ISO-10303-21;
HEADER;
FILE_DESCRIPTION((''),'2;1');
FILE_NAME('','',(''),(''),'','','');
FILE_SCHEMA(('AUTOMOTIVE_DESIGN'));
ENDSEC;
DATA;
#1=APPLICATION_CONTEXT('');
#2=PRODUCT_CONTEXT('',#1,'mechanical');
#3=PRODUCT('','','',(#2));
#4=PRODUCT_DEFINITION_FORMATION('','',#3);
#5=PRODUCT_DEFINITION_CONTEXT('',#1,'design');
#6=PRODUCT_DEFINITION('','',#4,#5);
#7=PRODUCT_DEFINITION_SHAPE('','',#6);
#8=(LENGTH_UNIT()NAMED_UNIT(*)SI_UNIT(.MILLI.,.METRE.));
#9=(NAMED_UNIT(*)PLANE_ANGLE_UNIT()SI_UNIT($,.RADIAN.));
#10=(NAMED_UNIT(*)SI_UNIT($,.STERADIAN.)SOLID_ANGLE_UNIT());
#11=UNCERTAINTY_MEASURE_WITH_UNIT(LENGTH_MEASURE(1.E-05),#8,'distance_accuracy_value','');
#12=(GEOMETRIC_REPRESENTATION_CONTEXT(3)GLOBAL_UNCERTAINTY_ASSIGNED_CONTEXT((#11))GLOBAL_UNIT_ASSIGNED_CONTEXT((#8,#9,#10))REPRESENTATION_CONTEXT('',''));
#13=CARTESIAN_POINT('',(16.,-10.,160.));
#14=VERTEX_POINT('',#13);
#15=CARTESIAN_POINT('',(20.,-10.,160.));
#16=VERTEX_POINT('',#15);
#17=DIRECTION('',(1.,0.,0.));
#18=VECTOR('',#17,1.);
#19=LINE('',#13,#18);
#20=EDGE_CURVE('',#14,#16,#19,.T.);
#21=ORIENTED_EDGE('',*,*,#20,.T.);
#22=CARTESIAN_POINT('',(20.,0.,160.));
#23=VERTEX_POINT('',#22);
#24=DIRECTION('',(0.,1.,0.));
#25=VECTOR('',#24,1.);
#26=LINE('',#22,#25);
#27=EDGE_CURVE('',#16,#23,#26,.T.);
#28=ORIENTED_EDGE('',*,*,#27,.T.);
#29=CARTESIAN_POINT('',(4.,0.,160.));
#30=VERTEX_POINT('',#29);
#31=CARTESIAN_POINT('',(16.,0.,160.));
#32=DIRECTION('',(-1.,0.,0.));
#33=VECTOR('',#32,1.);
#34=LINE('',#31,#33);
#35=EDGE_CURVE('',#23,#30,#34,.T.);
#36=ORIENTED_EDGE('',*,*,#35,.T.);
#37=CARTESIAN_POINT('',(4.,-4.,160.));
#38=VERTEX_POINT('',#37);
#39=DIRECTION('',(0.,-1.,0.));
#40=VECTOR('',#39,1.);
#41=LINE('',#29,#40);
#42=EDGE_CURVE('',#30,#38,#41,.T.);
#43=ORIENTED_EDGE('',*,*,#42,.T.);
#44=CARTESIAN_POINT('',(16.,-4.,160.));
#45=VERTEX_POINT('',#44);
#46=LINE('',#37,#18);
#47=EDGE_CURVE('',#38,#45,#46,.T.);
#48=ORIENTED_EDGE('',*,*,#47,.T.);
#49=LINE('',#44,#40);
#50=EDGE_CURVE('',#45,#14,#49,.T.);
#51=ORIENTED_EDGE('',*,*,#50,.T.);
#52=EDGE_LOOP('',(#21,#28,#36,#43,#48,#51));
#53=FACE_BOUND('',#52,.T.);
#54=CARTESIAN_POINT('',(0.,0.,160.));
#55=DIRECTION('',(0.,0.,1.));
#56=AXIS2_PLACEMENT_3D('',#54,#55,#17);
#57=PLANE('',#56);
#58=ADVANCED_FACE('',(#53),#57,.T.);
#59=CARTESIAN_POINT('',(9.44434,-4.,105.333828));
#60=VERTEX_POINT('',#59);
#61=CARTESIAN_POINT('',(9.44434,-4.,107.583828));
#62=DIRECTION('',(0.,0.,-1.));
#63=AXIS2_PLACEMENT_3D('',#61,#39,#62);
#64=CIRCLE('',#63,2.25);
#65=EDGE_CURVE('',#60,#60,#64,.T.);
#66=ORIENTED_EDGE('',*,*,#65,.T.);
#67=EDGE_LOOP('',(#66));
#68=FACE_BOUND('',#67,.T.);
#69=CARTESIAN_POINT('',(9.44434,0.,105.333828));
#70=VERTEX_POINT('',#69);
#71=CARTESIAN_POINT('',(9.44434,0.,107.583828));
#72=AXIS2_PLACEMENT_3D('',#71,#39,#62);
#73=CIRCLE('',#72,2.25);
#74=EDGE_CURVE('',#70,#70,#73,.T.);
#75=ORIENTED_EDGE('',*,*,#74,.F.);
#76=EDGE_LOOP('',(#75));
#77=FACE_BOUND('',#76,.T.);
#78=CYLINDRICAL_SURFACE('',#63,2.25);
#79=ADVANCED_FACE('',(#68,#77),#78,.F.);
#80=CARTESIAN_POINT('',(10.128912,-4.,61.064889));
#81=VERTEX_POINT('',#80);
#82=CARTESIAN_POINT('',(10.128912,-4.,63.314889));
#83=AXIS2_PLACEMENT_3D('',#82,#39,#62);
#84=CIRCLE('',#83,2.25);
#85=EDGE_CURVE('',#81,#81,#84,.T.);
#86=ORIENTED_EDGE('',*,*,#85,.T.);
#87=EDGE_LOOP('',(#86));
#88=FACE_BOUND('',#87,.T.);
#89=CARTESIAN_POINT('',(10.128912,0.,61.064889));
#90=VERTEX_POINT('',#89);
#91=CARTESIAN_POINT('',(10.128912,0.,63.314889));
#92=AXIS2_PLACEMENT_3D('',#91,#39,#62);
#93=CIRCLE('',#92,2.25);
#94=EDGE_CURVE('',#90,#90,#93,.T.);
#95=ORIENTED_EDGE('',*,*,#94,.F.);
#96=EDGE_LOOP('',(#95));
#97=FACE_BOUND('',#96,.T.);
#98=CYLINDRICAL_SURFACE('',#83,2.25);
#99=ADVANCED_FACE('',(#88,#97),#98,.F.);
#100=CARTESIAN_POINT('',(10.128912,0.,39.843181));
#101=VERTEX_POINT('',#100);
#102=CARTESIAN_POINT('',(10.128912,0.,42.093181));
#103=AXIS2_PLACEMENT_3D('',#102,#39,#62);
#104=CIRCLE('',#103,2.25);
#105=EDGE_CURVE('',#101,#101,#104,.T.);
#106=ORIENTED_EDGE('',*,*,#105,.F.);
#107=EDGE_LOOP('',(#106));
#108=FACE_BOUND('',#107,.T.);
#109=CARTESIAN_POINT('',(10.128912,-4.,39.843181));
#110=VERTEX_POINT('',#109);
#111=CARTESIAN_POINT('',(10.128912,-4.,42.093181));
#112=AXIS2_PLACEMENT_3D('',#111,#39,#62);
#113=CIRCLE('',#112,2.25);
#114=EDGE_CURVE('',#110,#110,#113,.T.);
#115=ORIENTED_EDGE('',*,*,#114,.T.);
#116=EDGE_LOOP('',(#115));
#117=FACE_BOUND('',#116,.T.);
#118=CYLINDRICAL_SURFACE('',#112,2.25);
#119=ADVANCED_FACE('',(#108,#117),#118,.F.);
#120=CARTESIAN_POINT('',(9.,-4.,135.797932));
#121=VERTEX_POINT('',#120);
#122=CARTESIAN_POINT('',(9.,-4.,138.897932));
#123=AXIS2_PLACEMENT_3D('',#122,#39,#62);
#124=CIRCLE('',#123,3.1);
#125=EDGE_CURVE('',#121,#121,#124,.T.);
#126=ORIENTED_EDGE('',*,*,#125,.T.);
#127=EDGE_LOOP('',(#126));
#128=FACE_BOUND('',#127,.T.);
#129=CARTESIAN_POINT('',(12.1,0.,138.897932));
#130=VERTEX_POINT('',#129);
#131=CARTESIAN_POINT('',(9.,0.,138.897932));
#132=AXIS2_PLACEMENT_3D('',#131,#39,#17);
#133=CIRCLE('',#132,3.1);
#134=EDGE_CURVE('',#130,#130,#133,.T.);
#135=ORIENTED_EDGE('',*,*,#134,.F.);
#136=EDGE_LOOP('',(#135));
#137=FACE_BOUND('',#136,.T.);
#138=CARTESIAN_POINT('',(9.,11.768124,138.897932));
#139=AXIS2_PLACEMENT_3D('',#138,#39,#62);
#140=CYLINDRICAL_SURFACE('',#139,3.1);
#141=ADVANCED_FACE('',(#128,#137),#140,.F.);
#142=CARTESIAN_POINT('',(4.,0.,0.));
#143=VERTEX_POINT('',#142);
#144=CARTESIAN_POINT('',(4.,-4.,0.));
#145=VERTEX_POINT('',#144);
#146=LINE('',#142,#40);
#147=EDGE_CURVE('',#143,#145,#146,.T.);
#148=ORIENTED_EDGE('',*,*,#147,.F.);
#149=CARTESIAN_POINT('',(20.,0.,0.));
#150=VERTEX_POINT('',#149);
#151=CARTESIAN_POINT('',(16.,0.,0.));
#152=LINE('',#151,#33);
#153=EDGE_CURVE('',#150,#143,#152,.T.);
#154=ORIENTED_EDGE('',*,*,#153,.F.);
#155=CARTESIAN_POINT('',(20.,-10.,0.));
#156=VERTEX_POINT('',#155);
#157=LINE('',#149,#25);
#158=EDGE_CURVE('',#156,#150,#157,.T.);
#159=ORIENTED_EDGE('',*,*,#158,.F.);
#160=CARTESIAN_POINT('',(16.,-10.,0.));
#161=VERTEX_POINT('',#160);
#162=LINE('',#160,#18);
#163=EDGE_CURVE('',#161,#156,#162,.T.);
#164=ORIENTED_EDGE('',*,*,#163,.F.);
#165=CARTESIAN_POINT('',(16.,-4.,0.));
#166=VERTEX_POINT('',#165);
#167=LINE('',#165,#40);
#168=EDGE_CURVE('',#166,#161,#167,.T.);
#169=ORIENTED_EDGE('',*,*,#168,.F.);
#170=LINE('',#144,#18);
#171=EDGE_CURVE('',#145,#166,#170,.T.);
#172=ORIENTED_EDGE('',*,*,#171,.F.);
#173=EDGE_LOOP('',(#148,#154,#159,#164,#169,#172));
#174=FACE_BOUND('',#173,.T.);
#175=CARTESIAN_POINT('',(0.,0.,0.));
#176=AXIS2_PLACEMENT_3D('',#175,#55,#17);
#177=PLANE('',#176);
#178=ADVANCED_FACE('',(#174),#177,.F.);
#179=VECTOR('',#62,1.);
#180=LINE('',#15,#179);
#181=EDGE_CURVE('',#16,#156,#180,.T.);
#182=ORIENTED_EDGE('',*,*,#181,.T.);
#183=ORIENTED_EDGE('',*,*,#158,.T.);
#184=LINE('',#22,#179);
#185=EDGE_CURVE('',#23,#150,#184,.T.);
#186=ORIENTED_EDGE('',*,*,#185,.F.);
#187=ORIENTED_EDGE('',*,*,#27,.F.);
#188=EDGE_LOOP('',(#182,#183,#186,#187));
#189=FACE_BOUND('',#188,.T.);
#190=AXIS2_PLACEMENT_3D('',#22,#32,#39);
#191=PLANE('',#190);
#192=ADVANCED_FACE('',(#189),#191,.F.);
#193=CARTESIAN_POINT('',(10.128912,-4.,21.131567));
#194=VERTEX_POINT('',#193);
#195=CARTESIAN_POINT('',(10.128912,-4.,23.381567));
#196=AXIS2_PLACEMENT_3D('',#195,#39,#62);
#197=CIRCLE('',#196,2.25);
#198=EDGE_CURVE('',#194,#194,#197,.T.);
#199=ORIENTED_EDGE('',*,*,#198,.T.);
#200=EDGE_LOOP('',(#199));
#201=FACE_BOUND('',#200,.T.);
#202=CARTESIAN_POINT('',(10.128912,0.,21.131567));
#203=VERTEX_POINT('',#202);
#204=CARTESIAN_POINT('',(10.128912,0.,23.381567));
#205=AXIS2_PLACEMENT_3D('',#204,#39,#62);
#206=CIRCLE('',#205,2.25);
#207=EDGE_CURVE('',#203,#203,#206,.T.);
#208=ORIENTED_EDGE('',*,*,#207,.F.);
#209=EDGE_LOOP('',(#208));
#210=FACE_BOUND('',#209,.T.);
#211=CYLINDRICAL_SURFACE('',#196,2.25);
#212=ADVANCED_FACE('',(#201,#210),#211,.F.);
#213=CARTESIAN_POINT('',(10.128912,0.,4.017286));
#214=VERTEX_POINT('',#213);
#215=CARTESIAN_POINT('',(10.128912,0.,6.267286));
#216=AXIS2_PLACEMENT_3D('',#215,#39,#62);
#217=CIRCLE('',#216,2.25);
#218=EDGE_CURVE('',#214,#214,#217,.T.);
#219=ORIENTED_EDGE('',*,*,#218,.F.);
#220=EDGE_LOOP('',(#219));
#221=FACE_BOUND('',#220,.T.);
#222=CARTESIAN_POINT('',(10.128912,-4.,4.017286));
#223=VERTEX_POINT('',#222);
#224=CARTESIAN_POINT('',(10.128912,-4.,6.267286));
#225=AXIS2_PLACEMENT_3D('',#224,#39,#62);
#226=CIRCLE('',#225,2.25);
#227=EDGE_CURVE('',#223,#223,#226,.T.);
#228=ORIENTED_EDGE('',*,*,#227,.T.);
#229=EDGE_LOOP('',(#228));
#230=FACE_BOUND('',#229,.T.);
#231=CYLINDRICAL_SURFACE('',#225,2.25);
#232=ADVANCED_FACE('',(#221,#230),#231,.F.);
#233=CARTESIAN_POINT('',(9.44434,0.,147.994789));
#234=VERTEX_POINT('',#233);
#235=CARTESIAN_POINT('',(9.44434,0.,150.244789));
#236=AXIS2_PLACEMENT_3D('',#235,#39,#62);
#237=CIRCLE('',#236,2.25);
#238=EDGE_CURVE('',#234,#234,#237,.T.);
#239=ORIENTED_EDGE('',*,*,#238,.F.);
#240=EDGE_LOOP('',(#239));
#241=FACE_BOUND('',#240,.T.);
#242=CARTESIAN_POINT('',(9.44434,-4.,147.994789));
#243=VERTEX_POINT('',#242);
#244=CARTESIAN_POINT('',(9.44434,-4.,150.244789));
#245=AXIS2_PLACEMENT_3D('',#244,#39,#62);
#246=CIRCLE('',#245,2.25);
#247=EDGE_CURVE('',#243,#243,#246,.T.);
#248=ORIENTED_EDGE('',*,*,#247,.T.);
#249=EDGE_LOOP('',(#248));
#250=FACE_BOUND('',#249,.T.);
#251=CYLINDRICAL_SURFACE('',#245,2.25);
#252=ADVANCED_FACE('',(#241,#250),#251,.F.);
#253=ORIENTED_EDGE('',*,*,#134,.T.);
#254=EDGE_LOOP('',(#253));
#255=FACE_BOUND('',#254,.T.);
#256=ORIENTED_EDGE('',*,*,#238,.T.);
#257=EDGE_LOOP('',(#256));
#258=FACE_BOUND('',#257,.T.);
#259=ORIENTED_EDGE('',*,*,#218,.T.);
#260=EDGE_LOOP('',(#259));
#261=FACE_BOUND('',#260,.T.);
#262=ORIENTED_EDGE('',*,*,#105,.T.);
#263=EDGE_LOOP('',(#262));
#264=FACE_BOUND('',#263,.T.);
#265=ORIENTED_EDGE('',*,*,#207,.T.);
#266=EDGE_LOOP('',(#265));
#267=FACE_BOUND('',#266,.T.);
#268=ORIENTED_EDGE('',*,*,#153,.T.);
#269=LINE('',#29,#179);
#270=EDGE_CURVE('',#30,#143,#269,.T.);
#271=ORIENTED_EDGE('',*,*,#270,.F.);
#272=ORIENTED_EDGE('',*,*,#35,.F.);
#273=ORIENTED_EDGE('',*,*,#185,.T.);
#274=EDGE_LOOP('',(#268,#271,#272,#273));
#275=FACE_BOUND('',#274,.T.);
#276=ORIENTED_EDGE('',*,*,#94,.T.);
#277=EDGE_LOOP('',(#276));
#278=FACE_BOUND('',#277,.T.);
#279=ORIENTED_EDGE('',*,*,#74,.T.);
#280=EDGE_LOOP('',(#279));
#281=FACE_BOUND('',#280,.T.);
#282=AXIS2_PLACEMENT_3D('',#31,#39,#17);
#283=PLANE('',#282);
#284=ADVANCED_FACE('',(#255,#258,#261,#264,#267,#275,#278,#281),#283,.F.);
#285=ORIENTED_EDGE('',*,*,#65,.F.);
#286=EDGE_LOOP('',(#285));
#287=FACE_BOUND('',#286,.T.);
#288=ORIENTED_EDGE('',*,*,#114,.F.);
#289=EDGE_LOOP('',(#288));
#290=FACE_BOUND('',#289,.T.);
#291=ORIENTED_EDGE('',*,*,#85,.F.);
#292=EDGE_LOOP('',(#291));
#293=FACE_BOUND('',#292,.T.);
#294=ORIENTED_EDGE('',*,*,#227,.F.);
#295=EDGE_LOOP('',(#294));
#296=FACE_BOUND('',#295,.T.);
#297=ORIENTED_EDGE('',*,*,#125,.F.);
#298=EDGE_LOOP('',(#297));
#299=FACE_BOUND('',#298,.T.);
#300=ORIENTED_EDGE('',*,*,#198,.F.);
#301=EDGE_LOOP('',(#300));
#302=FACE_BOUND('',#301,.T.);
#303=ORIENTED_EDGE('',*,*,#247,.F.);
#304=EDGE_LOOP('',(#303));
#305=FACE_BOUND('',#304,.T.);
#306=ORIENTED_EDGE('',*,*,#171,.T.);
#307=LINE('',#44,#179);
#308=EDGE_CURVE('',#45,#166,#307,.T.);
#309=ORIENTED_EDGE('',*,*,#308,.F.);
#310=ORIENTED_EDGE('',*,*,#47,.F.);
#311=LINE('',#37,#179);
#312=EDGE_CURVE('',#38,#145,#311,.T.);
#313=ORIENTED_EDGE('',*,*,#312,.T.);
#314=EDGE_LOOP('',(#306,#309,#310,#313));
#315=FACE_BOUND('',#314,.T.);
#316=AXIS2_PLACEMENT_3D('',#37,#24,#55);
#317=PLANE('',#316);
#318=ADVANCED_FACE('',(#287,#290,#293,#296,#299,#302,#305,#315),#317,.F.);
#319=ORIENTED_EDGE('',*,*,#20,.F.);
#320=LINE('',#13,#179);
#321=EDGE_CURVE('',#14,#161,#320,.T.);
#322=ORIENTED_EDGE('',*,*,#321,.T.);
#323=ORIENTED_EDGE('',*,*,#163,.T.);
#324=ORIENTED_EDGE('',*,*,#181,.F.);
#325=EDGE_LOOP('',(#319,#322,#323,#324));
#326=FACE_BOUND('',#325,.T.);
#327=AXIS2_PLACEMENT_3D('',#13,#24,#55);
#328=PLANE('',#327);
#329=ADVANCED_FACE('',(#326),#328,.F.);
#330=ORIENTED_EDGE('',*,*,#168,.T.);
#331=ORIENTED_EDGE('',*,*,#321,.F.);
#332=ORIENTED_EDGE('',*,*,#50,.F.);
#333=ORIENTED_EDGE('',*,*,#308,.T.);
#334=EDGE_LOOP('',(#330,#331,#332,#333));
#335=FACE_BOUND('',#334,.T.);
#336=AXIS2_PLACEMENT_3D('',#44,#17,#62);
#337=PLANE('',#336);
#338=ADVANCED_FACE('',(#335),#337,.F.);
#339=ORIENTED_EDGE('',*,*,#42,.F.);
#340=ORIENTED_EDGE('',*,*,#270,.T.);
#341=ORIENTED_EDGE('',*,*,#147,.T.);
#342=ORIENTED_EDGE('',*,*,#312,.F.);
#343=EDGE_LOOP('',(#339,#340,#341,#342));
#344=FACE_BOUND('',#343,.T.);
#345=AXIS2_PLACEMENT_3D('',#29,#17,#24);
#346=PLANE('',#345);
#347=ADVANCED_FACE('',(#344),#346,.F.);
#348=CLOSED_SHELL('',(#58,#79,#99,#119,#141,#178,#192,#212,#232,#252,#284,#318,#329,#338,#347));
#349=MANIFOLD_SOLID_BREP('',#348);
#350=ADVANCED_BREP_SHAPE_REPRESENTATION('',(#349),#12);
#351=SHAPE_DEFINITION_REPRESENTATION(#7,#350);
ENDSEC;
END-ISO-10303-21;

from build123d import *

# Parameters (mm, degrees)
BOSS_EXTRUDE1_DEPTH  = 160
M4_CLEARANCE_HOLE1_D = 4.5
CUT_EXTRUDE2_REACH   = 163.357
SKETCH5_R            = 3.1


with BuildPart() as part:
    # Sketch1 → Boss-Extrude1 (new body)
    with BuildSketch(Plane.XY):
        Polygon((4, -4), (16, -4), (16, -10), (20, -10), (20, 0), (16, 0), (4, 0), align=None)
    extrude(amount=BOSS_EXTRUDE1_DEPTH)

    # M4 Clearance Hole1 (through all)
    with Locations(Plane(origin=(0, -4, 0), x_dir=(-1, 0, 0), z_dir=(0, -1, 0))):
        with Locations((-10.128911503, -6.267286375), (-10.128911503, -23.38156703), (-10.128911503, -42.093180546), (-10.128911503, -63.314888558), (-9.444340277, -107.583827852), (-9.444340277, -150.244789298)):
            Hole(M4_CLEARANCE_HOLE1_D / 2)

    # Sketch5 → Cut-Extrude2 (cut, up to next)
    with BuildSketch(Plane.XZ.offset(4), mode=Mode.PRIVATE) as cut_extrude2_sk1:
        with Locations(Location((9, 138.897931951, 0), (0, 0, 270))):
            Circle(SKETCH5_R)
    cut_extrude2_tool1 = extrude(cut_extrude2_sk1.sketch, amount=-CUT_EXTRUDE2_REACH, mode=Mode.PRIVATE) & part.part
    add(cut_extrude2_tool1.solids().sort_by_distance((9, -4, 138.897932))[0], mode=Mode.SUBTRACT)


solid = part.part
